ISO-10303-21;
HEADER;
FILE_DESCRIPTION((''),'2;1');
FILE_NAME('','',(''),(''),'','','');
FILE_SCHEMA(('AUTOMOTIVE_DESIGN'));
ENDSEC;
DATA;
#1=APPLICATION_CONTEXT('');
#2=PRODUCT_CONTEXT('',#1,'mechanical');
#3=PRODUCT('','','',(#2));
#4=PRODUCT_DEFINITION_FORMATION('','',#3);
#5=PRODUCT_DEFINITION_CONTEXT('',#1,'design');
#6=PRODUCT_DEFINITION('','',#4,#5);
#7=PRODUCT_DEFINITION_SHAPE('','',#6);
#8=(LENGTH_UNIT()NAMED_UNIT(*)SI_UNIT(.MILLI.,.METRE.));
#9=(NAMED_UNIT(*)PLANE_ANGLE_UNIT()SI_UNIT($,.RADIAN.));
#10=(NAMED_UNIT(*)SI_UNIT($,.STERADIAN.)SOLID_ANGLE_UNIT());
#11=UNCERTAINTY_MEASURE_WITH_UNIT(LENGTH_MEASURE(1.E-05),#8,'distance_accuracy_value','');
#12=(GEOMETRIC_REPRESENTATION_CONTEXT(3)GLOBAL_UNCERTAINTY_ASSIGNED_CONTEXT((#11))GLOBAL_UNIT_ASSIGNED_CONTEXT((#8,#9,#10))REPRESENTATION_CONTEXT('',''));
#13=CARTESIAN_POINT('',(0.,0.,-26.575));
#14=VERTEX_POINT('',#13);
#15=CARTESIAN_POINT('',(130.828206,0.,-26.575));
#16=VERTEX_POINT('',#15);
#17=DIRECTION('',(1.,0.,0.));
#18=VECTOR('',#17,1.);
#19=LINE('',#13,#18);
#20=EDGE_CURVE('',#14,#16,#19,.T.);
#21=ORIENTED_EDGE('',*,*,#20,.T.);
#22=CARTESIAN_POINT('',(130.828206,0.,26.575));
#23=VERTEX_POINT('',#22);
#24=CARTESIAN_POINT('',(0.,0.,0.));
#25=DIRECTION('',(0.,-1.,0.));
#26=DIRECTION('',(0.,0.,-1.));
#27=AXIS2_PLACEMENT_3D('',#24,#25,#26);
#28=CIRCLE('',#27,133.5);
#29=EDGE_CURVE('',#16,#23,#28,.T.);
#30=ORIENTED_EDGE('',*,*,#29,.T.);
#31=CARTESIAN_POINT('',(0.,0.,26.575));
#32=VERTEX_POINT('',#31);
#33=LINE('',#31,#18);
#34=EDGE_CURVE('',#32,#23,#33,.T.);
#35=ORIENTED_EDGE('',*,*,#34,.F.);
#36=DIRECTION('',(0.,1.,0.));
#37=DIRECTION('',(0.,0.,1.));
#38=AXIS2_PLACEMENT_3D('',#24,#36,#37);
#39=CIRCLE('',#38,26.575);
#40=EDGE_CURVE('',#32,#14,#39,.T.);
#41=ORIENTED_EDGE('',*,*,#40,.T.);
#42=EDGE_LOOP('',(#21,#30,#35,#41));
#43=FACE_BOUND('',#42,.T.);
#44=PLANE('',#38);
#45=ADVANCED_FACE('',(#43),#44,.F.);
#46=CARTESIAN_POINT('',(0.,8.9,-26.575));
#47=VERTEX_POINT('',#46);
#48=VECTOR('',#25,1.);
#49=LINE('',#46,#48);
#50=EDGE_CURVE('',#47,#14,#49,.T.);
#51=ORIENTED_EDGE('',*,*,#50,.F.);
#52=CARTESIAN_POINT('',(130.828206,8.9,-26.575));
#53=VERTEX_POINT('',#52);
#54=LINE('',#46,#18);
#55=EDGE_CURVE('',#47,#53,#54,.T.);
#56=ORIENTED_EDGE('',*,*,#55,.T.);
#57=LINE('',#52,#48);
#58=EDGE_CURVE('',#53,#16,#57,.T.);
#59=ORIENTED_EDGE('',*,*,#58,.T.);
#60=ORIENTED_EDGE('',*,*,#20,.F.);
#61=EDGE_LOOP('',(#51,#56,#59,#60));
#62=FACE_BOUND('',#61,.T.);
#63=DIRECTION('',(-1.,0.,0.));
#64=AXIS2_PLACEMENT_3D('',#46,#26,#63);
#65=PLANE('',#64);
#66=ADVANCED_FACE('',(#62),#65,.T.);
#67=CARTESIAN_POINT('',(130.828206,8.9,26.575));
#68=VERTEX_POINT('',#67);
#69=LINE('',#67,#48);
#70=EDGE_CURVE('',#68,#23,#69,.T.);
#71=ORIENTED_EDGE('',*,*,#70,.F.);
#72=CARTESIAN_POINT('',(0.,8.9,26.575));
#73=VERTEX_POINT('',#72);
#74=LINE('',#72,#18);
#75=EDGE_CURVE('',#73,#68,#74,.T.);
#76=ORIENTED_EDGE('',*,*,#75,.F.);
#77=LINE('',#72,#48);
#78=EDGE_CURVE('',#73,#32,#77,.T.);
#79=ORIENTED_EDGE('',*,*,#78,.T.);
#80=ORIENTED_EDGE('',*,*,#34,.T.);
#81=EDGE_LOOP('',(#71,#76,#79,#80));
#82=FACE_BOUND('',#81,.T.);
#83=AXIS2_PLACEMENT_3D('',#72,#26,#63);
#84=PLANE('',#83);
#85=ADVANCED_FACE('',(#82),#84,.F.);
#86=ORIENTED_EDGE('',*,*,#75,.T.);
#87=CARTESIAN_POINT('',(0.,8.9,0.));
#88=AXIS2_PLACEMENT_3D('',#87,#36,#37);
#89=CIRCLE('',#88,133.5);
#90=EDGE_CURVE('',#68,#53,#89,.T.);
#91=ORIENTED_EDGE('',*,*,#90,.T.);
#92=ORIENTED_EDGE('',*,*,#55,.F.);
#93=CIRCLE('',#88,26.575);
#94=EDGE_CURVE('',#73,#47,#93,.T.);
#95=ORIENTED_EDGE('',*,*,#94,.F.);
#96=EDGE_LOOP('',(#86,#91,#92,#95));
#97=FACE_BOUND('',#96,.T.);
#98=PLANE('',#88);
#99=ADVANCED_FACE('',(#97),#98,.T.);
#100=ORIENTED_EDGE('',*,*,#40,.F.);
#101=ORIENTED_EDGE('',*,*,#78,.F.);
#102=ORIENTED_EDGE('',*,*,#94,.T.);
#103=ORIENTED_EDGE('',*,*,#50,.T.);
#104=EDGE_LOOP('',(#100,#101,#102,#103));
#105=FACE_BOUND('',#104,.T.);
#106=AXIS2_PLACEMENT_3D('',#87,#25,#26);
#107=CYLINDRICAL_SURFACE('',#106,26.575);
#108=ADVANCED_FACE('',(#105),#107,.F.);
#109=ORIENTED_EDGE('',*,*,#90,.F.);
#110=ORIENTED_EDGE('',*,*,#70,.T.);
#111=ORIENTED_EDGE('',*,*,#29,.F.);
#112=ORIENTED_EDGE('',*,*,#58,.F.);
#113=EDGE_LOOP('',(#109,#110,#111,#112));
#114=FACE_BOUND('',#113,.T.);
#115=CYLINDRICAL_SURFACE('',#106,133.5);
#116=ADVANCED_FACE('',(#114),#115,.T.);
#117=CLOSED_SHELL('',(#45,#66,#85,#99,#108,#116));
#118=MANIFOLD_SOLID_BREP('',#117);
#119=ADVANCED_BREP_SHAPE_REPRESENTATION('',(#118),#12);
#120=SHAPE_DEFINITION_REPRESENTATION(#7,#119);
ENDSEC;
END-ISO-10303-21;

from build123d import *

# Parameters (mm, degrees)
BOSS_EXTRUDE1_DEPTH = 8.9


with BuildPart() as part:
    # Sketch1 → Boss-Extrude1 (new body)
    with BuildSketch(Plane(origin=(0, 0, 0), x_dir=(1, 0, 0), z_dir=(0, 1, 0))):
        with BuildLine():
            Line((0, -26.575), (130.828205579, -26.575))
            ThreePointArc((130.828205579, -26.575), (132.830371988, -13.354485299), (133.5, 0))
            ThreePointArc((133.5, 0), (132.830371988, 13.354485299), (130.828205579, 26.575))
            Line((130.828205579, 26.575), (0, 26.575))
            ThreePointArc((0, 26.575), (26.575, 0), (0, -26.575))
        make_face()
    extrude(amount=BOSS_EXTRUDE1_DEPTH)


solid = part.part
